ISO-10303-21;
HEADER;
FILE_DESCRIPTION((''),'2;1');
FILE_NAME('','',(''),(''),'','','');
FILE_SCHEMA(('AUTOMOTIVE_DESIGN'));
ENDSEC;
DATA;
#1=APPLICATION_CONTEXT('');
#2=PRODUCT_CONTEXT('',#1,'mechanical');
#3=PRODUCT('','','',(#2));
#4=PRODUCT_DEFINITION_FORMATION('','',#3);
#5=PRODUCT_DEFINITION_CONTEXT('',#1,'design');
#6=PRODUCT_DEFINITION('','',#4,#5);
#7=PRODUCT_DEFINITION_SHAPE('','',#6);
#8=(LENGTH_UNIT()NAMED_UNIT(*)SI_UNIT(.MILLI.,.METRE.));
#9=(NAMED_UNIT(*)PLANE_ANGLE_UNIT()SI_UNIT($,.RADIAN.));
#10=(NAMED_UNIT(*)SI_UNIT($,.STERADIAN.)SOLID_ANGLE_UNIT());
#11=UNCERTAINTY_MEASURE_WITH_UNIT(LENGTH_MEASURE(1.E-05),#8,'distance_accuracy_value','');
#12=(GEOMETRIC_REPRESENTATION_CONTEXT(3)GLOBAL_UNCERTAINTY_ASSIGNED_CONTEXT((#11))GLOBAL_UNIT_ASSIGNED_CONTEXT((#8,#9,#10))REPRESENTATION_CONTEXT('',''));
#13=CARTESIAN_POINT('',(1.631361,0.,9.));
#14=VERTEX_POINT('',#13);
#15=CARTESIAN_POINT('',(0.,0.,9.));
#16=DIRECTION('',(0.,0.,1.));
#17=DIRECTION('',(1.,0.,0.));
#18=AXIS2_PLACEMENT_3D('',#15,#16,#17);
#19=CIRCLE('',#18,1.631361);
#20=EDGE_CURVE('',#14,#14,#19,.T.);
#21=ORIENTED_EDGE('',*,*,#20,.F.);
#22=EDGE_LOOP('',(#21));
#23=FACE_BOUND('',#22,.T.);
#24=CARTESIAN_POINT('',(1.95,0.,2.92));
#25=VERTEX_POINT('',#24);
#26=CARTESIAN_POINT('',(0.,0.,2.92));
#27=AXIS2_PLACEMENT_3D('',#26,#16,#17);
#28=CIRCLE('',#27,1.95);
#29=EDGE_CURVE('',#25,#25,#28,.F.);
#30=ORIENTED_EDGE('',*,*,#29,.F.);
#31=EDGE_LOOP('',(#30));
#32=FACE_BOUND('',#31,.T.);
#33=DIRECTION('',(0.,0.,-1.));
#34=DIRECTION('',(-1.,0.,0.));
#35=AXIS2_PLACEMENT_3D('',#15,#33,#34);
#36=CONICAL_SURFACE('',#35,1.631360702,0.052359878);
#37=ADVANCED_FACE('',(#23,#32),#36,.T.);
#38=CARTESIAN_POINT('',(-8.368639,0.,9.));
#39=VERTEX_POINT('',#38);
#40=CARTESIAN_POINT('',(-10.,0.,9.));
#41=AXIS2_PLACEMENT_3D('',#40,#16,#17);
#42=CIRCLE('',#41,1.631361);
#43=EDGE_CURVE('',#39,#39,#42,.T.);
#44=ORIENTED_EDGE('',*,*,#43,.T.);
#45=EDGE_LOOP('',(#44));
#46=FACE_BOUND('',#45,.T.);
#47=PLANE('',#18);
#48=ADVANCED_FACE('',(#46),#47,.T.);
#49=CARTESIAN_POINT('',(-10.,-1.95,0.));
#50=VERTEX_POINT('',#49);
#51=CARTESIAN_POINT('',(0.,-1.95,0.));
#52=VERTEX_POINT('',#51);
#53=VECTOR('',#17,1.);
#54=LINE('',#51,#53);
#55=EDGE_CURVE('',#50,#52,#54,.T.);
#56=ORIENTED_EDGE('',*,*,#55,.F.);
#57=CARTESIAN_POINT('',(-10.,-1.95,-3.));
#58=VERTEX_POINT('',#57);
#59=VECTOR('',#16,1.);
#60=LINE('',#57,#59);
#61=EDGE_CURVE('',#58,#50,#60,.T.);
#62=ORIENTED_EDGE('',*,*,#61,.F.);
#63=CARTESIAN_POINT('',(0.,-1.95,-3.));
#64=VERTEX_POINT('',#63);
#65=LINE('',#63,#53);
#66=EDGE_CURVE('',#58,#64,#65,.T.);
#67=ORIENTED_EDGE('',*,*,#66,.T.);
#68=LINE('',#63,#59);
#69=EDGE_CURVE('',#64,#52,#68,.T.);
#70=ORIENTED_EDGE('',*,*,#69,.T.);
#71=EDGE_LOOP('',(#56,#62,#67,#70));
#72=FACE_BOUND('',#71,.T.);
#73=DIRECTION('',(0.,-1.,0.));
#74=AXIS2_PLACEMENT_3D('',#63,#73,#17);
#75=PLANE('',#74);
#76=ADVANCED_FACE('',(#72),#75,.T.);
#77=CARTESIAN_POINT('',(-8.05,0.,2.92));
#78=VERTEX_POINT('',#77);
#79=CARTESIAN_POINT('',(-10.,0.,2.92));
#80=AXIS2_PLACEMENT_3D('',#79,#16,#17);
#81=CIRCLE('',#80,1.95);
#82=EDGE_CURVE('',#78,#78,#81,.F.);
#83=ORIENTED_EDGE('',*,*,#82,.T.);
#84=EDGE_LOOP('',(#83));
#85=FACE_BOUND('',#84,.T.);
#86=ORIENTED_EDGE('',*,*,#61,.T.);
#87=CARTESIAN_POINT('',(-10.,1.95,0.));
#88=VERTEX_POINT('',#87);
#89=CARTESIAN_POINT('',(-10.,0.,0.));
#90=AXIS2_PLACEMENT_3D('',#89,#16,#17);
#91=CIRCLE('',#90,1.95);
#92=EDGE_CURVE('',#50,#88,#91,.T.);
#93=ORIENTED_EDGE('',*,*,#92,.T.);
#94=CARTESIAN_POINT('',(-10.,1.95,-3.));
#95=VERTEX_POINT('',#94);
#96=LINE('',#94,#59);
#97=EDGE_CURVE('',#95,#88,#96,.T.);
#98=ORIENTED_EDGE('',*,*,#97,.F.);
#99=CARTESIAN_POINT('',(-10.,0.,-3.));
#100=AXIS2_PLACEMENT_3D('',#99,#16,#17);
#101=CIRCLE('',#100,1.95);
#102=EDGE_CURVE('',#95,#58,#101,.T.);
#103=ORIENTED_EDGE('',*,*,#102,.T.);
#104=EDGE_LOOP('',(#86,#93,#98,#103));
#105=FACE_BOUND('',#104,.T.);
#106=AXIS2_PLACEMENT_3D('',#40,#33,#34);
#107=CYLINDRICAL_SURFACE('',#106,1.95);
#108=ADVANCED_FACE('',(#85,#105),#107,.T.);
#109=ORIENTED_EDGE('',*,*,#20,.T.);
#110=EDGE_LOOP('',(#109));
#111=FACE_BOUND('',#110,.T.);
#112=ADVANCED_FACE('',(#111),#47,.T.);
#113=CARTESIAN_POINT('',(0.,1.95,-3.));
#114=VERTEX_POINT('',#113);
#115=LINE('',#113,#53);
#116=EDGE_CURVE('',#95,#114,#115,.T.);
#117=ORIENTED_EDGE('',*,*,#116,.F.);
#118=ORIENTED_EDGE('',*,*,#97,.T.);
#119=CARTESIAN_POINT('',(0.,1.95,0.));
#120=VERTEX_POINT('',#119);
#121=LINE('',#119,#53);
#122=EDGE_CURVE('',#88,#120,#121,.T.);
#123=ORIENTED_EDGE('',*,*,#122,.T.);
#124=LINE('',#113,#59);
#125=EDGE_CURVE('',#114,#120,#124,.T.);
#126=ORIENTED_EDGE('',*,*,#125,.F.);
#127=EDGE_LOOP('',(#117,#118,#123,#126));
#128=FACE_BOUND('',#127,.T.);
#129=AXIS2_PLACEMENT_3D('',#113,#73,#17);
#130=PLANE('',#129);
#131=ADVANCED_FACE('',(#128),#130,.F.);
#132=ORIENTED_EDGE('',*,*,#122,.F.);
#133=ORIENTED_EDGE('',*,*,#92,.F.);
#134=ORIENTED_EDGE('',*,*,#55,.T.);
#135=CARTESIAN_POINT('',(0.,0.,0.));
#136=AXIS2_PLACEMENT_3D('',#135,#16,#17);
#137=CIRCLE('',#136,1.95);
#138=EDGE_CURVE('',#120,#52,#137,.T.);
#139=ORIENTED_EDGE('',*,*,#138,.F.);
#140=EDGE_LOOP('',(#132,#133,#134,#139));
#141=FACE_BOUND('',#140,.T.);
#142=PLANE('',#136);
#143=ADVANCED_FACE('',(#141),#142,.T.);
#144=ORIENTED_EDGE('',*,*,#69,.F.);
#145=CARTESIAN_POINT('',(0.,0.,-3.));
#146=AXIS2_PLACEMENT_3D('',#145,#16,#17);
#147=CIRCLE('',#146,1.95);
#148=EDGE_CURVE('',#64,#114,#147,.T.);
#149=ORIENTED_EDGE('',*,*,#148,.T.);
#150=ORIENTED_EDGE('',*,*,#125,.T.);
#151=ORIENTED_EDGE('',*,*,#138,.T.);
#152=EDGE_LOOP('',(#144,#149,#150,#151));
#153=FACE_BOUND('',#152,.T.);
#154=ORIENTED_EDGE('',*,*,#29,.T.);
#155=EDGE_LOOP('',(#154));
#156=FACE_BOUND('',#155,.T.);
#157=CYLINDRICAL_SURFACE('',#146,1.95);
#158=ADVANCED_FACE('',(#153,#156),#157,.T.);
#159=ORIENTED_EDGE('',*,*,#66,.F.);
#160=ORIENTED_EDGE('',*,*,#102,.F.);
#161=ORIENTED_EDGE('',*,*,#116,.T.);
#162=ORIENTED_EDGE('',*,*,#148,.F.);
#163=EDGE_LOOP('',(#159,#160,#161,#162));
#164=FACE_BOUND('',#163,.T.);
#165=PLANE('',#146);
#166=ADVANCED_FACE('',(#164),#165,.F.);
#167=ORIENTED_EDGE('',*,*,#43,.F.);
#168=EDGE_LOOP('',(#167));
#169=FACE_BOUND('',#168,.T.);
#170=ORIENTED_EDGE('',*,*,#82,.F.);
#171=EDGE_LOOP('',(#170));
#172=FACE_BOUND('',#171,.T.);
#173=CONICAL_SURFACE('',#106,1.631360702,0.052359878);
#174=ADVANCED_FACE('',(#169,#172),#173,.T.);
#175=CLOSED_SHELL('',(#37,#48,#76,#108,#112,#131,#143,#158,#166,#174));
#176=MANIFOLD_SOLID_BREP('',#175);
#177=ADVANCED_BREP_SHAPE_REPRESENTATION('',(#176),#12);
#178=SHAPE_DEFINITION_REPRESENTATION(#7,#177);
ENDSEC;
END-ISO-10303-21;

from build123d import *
from OCP.BRepFilletAPI import BRepFilletAPI_MakeChamfer

# Parameters (mm, degrees)
SKETCH1_R             = 1.95
BOSS_EXTRUDE1_DEPTH   = 9
BOSS_EXTRUDE1_2_DEPTH = 9
BOSS_EXTRUDE2_START   = -3
BOSS_EXTRUDE2_DEPTH   = 3
CHAMFER1_SIZE         = 6.08
CHAMFER1_SIZE2        = 0.318639298


with BuildPart() as part:
    # Sketch1 → Boss-Extrude1 (new body)
    with BuildSketch(Plane.XY):
        with Locations((-10, 0)):
            Circle(SKETCH1_R)
    extrude(amount=BOSS_EXTRUDE1_DEPTH)



with BuildPart() as body_2:
    # Sketch1 → Boss-Extrude1 2 (new body)
    with BuildSketch(Plane.XY):
        Circle(SKETCH1_R)
    extrude(amount=BOSS_EXTRUDE1_2_DEPTH)


with BuildPart() as part_1:
    add(part.part)

    add(body_2.part)  # Boss-Extrude2 merges body 2
    # Sketch1<3> → Boss-Extrude2 (add)
    with BuildSketch(Plane.XY.offset(BOSS_EXTRUDE2_START)):
        with BuildLine():
            Line((0, 1.95), (-10, 1.95))
            ThreePointArc((-10, 1.95), (-11.95, 0), (-10, -1.95))
            Line((-10, -1.95), (0, -1.95))
            ThreePointArc((0, -1.95), (1.95, 0), (0, 1.95))
        make_face()
    extrude(amount=BOSS_EXTRUDE2_DEPTH)

    # Chamfer1: one chamfer whose edges measure the first distance from different faces: ONE call of the kernel's chamfer builder (chamfer() names one face for all edges)
    chamfer1_edges_1 = [part_1.edges().sort_by_distance(p)[0] for p in [
        (-1.95, 0, 9),
    ]]
    chamfer1_side_1 = [part_1.faces().sort_by_distance(p)[0] for p in [
        (-1.378858223, 1.378858223, 3),
    ]]
    chamfer1_edges_2 = [part_1.edges().sort_by_distance(p)[0] for p in [
        (-11.95, 0, 9),
    ]]
    chamfer1_side_2 = [part_1.faces().sort_by_distance(p)[0] for p in [
        (-11.95, 0, 3),
    ]]
    chamfer1 = BRepFilletAPI_MakeChamfer(part_1.part.solid().wrapped)
    for e in chamfer1_edges_1:
        chamfer1.Add(CHAMFER1_SIZE, CHAMFER1_SIZE2, e.wrapped, chamfer1_side_1[0].wrapped)  # the first distance lies on this face
    for e in chamfer1_edges_2:
        chamfer1.Add(CHAMFER1_SIZE, CHAMFER1_SIZE2, e.wrapped, chamfer1_side_2[0].wrapped)  # the first distance lies on this face
    add(Compound.cast(chamfer1.Shape()), mode=Mode.REPLACE)


solid = part_1.part
